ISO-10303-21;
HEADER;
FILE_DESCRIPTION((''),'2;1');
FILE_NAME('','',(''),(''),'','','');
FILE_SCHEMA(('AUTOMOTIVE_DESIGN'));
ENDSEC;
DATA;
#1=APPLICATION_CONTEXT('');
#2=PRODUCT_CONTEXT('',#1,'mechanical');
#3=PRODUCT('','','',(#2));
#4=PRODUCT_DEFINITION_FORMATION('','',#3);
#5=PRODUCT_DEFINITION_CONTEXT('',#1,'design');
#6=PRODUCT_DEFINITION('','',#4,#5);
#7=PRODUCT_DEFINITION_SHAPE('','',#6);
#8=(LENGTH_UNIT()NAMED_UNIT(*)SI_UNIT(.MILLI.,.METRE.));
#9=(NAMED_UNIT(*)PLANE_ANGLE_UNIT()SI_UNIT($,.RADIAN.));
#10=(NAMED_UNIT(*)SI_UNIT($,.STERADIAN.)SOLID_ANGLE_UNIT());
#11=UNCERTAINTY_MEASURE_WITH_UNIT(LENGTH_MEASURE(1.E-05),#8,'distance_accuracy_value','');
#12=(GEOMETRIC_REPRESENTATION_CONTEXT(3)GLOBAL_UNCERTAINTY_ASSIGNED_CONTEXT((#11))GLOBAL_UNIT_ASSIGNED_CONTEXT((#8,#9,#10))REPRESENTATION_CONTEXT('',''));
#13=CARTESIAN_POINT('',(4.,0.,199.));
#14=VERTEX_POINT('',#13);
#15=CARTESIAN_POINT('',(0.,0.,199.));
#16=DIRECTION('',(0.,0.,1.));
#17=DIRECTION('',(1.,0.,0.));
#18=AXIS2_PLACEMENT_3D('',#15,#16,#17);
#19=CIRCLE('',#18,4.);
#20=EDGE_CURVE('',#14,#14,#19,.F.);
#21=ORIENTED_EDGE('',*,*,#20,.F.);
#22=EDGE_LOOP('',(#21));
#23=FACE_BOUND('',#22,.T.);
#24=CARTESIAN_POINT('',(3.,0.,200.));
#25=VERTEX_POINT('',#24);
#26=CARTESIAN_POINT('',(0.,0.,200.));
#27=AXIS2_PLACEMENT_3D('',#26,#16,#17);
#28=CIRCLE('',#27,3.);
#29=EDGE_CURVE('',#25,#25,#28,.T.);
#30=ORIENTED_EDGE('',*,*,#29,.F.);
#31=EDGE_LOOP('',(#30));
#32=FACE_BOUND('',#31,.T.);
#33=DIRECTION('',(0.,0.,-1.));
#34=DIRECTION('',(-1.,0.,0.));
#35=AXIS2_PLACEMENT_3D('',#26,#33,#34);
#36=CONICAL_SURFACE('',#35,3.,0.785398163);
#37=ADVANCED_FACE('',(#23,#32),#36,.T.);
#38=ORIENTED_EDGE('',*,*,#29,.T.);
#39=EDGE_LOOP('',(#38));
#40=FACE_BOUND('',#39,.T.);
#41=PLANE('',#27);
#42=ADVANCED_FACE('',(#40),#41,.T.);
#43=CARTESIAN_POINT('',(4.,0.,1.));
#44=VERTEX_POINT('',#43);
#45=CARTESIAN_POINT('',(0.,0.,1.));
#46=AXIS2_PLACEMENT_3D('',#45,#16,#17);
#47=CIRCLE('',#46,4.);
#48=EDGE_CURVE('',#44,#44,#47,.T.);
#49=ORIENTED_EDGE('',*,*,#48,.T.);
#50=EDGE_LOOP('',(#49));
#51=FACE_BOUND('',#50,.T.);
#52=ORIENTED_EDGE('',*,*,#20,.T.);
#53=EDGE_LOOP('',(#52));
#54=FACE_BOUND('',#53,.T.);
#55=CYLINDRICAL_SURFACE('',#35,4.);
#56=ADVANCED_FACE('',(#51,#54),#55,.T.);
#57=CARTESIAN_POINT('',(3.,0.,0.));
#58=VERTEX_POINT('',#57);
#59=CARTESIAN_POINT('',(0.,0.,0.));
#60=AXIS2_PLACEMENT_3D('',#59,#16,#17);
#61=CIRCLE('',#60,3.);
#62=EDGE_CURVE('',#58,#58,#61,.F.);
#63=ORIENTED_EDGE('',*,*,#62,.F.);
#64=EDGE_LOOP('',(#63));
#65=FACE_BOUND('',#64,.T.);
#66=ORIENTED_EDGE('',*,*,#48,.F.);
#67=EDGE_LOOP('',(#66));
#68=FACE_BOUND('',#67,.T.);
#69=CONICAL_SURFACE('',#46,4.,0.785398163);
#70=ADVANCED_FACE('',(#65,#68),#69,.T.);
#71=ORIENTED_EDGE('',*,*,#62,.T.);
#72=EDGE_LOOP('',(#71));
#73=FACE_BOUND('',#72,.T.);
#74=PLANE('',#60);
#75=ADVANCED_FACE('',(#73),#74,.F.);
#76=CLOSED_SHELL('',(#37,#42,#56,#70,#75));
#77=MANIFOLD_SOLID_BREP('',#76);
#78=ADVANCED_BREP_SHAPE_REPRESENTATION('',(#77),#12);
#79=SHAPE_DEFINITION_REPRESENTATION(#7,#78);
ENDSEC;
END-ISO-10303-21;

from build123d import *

# Parameters (mm, degrees)
SKETCH1_R         = 4
BODY_DEPTH        = 200
END_CHAMFERS_SIZE = 1


with BuildPart() as part:
    # Sketch1 → body (new body)
    with BuildSketch(Plane.XY):
        Circle(SKETCH1_R)
    extrude(amount=BODY_DEPTH)

    # end_chamfers
    end_chamfers_edges = [part.edges().sort_by_distance(p)[0] for p in [
        (-4, 0, 0),
        (-4, 0, 200),
    ]]
    chamfer(end_chamfers_edges, length=END_CHAMFERS_SIZE)


solid = part.part
